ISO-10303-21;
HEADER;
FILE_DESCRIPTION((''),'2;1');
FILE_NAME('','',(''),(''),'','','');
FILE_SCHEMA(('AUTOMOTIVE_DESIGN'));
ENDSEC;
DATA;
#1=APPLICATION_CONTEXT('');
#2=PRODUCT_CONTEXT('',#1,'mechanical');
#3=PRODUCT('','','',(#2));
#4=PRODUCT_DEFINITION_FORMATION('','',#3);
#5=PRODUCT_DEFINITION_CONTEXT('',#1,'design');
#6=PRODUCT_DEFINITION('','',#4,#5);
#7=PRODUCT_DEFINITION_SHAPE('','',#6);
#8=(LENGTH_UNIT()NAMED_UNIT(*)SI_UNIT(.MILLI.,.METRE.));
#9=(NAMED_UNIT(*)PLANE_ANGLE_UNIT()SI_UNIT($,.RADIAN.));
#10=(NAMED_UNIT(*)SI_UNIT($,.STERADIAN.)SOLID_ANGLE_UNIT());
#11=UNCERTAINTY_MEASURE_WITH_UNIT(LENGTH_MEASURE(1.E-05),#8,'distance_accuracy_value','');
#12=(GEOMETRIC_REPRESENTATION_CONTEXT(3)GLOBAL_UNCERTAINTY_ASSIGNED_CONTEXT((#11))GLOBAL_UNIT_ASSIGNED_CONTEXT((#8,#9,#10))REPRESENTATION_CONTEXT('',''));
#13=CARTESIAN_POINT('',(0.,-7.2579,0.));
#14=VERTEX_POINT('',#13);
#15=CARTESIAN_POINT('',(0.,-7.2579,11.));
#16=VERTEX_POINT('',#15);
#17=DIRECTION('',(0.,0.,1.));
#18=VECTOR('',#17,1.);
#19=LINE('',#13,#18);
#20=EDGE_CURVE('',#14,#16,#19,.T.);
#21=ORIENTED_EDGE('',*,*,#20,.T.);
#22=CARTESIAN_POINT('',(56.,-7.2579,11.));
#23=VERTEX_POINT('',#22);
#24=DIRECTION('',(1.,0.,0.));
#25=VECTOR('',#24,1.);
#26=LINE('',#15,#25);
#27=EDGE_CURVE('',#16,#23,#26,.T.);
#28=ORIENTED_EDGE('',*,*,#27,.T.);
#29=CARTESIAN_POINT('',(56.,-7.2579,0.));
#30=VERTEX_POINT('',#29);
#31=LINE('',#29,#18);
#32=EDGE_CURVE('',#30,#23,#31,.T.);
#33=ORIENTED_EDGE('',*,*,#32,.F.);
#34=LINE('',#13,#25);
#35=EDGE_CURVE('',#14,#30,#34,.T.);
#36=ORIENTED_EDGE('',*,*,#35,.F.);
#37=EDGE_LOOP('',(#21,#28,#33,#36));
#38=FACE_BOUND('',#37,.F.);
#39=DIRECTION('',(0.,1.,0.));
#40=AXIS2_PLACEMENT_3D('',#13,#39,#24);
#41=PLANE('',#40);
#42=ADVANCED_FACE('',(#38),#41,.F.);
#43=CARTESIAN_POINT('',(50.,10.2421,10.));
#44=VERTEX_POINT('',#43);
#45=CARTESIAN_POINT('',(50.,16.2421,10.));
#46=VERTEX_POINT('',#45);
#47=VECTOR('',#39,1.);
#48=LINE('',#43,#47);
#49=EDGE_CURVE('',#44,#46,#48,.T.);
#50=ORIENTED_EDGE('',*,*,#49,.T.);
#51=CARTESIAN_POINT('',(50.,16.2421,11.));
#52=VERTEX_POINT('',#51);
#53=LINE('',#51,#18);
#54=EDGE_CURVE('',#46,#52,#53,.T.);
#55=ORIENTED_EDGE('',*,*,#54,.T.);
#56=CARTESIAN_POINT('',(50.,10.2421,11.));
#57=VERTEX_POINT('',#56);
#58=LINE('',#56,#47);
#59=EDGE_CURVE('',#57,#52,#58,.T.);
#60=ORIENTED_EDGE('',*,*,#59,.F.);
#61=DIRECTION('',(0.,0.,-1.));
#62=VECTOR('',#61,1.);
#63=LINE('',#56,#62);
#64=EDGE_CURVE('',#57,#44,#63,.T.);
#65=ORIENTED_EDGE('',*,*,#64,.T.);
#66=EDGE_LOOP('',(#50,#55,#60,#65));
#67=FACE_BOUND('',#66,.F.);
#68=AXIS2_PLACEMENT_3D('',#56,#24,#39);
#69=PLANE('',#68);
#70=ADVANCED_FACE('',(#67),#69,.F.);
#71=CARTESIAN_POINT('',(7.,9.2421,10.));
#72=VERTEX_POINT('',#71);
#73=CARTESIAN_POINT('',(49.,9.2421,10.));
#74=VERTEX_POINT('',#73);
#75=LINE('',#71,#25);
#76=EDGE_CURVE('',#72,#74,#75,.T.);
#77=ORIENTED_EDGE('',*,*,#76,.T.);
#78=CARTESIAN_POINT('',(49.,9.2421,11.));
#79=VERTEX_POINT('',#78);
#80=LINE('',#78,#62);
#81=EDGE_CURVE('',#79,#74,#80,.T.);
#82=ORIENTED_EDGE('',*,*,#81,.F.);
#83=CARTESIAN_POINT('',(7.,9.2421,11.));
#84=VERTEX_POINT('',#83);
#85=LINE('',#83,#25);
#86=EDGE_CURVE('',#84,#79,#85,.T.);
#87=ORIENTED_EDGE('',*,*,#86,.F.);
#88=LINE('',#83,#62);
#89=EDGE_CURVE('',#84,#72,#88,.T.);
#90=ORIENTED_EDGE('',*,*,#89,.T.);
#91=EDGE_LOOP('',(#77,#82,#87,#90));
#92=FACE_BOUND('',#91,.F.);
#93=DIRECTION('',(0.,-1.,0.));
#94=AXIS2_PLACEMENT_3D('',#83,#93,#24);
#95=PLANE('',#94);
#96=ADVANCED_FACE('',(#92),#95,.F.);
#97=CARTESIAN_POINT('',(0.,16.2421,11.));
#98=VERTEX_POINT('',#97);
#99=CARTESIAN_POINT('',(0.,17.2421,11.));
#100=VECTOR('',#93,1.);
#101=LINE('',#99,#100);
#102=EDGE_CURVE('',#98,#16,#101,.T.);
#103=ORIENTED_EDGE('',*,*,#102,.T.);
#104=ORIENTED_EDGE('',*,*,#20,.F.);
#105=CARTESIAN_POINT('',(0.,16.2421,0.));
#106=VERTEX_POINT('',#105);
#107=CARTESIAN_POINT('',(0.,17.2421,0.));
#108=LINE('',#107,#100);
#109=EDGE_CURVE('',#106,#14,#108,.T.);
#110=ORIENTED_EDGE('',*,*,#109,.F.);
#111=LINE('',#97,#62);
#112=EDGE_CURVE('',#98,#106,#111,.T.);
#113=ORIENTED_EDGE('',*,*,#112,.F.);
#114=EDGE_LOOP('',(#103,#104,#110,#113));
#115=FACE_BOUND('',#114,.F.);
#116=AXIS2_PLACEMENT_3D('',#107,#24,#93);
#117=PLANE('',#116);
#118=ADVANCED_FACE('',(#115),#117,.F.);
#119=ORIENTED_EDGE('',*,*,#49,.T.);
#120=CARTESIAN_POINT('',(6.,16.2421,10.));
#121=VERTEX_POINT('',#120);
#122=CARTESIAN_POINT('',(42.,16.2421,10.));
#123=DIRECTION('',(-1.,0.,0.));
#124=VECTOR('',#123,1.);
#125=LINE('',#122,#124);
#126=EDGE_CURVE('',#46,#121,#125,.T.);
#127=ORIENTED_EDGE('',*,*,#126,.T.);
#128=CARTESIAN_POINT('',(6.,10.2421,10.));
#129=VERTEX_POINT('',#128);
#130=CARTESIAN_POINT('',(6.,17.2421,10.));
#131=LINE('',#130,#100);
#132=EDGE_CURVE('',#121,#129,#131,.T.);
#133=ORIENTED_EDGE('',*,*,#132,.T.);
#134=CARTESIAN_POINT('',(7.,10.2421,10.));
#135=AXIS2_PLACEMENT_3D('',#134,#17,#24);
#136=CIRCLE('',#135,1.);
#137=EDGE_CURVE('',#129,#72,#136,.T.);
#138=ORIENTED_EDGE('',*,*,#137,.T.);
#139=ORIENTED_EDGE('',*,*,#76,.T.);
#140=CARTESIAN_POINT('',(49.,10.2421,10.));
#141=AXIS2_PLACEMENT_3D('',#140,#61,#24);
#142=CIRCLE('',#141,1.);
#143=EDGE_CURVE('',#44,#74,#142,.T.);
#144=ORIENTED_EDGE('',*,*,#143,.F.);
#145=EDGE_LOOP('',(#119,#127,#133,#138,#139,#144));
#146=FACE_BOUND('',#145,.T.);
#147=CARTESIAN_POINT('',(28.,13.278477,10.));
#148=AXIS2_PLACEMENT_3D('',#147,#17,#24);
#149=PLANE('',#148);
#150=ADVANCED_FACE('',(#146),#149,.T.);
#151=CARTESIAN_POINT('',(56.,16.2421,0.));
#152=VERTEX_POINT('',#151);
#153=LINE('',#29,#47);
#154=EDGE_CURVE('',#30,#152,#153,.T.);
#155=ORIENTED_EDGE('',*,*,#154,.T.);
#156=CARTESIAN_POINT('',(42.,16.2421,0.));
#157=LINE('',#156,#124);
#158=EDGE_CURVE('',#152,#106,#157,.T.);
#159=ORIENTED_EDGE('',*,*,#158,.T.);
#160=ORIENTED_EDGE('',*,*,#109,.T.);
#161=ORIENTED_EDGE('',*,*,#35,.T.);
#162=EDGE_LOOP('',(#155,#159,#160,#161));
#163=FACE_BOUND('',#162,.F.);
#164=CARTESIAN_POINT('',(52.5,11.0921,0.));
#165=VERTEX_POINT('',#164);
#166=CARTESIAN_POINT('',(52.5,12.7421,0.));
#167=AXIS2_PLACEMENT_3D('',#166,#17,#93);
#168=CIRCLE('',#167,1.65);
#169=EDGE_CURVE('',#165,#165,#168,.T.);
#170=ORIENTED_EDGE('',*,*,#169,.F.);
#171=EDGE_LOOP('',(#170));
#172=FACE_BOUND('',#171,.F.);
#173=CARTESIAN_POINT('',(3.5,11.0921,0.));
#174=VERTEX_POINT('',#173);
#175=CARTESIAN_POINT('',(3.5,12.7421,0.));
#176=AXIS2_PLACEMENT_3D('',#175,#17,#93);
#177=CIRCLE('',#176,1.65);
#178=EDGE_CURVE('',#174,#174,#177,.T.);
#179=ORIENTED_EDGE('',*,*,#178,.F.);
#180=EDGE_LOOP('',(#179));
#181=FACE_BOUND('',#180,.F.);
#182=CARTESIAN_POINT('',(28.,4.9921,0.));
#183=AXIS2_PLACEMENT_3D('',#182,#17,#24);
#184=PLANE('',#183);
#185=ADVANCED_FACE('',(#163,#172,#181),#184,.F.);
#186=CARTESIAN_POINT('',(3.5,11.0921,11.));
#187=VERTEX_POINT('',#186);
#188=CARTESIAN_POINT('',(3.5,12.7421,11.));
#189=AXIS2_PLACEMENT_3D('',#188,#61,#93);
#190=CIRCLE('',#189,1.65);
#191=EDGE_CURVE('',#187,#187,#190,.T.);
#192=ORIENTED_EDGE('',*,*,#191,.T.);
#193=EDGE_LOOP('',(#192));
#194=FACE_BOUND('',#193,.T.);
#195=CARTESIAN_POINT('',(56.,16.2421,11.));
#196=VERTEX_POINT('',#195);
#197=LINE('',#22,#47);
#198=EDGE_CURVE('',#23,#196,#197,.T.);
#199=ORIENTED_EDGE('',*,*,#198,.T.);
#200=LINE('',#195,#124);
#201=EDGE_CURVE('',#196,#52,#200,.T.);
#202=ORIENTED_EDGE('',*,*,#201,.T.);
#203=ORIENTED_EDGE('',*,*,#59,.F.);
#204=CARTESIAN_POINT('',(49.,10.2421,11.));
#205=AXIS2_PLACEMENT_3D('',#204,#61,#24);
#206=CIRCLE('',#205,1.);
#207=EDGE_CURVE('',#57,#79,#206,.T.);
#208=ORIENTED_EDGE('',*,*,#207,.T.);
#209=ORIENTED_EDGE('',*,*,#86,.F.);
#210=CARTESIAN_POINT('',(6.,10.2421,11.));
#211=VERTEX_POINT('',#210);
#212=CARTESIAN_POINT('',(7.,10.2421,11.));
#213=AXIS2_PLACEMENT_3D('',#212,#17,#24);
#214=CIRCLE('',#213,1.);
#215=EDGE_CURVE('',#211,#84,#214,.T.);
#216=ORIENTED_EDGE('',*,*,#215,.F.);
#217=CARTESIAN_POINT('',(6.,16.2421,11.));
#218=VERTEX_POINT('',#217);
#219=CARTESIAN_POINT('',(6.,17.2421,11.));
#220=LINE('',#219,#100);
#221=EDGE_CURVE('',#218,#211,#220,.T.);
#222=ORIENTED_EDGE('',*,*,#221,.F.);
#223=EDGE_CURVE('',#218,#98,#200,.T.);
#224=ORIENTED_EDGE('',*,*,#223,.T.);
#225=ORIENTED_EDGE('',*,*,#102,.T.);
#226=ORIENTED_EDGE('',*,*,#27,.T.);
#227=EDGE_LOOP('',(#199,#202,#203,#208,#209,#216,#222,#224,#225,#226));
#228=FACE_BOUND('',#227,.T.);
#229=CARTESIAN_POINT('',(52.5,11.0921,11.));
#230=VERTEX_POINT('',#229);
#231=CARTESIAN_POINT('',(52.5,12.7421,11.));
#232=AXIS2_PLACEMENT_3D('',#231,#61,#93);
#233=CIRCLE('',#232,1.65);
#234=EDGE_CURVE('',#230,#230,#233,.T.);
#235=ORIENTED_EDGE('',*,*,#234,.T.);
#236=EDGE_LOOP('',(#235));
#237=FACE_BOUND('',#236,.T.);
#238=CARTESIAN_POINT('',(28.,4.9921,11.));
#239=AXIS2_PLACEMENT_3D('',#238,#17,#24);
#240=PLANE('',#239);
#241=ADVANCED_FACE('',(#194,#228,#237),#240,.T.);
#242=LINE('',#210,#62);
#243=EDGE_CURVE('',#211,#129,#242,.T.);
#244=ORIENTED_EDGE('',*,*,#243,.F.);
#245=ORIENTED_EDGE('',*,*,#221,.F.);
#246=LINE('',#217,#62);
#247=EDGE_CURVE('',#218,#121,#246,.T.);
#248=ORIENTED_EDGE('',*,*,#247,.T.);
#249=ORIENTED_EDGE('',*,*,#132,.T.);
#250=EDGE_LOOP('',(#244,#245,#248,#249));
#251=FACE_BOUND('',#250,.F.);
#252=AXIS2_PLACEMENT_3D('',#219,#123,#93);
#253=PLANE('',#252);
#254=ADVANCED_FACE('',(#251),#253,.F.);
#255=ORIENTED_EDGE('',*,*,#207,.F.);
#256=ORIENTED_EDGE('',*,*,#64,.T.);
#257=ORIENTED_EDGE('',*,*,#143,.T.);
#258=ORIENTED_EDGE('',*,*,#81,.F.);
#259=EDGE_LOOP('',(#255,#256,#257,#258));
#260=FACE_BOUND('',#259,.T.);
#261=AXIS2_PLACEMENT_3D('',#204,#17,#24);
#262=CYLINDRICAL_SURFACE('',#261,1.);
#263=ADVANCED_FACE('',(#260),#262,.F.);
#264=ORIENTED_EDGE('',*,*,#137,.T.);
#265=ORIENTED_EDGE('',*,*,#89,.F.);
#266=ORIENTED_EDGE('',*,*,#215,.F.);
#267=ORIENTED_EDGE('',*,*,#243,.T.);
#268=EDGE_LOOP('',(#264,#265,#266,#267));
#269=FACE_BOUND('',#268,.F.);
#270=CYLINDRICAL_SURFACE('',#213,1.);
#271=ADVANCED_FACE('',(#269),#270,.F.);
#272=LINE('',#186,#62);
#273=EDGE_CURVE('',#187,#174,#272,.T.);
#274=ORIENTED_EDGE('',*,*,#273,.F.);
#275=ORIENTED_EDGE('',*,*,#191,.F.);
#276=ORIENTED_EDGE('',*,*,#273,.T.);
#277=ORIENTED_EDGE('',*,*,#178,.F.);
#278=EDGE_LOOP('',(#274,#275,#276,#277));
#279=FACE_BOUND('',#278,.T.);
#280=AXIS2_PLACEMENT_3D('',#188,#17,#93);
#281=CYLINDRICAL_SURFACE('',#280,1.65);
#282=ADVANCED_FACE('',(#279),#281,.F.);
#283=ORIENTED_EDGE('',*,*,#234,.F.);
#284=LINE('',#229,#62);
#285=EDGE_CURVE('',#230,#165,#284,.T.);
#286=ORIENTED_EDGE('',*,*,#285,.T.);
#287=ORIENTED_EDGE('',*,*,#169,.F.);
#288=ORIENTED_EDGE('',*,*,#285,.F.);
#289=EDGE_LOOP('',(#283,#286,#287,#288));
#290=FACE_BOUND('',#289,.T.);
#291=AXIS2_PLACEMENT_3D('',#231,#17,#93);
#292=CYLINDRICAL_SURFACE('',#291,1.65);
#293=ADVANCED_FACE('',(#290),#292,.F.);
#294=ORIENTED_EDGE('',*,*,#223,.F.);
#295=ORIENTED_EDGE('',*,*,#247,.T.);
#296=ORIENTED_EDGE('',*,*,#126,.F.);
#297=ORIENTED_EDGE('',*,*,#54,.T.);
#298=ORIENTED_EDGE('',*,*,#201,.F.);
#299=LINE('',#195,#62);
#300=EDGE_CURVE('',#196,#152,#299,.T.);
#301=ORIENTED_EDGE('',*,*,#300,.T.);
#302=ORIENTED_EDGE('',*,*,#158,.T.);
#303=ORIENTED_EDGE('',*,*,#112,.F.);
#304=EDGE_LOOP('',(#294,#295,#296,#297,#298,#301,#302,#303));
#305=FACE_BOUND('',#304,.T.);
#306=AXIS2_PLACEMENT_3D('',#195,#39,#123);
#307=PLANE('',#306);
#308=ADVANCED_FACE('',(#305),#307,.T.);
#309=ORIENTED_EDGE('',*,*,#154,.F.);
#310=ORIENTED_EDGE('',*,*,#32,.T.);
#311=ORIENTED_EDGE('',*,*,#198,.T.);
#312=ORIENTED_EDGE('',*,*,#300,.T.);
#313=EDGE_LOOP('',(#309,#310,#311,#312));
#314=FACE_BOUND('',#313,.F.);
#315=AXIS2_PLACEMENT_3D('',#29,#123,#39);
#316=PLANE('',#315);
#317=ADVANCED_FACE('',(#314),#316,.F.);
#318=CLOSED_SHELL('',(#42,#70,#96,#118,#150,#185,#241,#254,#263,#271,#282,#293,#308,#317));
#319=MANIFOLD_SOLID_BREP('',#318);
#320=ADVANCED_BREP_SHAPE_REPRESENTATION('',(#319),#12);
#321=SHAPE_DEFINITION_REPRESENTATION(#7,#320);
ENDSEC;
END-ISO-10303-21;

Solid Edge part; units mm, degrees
sketch "Sketch1" plane through (0, 0, 0) normal (0, 0, 1) x (1, 0, 0)
  line L0 (0, -7.2579) -> (56, -7.2579)
  line L1 (56, -7.2579) -> (56, 17.2421)
  line L2 (56, 17.2421) -> (0, 17.2421)
  line L3 (0, 17.2421) -> (0, -7.2579)
  dimension "D1" = 56
  dimension "D2" = 24.5
extrude "Protrusion1" add sketch "Sketch1" along normal blind 11
hole "Hole_1" at (52.5, 12.7421, 11) direction (0, 0, -1) diameter 3.3 end through all
hole "Hole1" at (3.5, 12.7421, 11) direction (0, 0, -1) diameter 3.3 end through all
sketch "Sketch2" plane through (28, 4.9921, 11) normal (0, 0, 1) x (1, 0, 0)
  line L0 (-21, 4.25) -> (21, 4.25)
  arc A0 (22, 5.25) -> (21, 4.25) centre (21, 5.25) cw
  line L1 (22, 5.25) -> (22, 12.25)
  line L2 (22, 12.25) -> (-22, 12.25)
  line L3 (-22, 12.25) -> (-22, 5.25)
  arc A1 (-22, 5.25) -> (-21, 4.25) centre (-21, 5.25) ccw
  dimension "D1" = 44
  dimension "D2" = 7
  dimension "D3" = 1
  dimension "D4" = 1
extrude "ExtrudedCutout_1" cut sketch "Sketch2" against normal blind 1
sketch "Sketch3" plane through (28, 4.9921, 11) normal (0, 0, 1) x (1, 0, 0)
  line L0 (-28, 12.25) -> (28, 12.25)
  line L1 (28, 12.25) -> (28, 11.25)
  line L2 (28, 11.25) -> (-28, 11.25)
  line L3 (-28, 11.25) -> (-28, 12.25)
  dimension "D1" = 1
extrude "Cutout1" cut sketch "Sketch3" against normal through all
properties material "Aluminum, 6061-T6"
